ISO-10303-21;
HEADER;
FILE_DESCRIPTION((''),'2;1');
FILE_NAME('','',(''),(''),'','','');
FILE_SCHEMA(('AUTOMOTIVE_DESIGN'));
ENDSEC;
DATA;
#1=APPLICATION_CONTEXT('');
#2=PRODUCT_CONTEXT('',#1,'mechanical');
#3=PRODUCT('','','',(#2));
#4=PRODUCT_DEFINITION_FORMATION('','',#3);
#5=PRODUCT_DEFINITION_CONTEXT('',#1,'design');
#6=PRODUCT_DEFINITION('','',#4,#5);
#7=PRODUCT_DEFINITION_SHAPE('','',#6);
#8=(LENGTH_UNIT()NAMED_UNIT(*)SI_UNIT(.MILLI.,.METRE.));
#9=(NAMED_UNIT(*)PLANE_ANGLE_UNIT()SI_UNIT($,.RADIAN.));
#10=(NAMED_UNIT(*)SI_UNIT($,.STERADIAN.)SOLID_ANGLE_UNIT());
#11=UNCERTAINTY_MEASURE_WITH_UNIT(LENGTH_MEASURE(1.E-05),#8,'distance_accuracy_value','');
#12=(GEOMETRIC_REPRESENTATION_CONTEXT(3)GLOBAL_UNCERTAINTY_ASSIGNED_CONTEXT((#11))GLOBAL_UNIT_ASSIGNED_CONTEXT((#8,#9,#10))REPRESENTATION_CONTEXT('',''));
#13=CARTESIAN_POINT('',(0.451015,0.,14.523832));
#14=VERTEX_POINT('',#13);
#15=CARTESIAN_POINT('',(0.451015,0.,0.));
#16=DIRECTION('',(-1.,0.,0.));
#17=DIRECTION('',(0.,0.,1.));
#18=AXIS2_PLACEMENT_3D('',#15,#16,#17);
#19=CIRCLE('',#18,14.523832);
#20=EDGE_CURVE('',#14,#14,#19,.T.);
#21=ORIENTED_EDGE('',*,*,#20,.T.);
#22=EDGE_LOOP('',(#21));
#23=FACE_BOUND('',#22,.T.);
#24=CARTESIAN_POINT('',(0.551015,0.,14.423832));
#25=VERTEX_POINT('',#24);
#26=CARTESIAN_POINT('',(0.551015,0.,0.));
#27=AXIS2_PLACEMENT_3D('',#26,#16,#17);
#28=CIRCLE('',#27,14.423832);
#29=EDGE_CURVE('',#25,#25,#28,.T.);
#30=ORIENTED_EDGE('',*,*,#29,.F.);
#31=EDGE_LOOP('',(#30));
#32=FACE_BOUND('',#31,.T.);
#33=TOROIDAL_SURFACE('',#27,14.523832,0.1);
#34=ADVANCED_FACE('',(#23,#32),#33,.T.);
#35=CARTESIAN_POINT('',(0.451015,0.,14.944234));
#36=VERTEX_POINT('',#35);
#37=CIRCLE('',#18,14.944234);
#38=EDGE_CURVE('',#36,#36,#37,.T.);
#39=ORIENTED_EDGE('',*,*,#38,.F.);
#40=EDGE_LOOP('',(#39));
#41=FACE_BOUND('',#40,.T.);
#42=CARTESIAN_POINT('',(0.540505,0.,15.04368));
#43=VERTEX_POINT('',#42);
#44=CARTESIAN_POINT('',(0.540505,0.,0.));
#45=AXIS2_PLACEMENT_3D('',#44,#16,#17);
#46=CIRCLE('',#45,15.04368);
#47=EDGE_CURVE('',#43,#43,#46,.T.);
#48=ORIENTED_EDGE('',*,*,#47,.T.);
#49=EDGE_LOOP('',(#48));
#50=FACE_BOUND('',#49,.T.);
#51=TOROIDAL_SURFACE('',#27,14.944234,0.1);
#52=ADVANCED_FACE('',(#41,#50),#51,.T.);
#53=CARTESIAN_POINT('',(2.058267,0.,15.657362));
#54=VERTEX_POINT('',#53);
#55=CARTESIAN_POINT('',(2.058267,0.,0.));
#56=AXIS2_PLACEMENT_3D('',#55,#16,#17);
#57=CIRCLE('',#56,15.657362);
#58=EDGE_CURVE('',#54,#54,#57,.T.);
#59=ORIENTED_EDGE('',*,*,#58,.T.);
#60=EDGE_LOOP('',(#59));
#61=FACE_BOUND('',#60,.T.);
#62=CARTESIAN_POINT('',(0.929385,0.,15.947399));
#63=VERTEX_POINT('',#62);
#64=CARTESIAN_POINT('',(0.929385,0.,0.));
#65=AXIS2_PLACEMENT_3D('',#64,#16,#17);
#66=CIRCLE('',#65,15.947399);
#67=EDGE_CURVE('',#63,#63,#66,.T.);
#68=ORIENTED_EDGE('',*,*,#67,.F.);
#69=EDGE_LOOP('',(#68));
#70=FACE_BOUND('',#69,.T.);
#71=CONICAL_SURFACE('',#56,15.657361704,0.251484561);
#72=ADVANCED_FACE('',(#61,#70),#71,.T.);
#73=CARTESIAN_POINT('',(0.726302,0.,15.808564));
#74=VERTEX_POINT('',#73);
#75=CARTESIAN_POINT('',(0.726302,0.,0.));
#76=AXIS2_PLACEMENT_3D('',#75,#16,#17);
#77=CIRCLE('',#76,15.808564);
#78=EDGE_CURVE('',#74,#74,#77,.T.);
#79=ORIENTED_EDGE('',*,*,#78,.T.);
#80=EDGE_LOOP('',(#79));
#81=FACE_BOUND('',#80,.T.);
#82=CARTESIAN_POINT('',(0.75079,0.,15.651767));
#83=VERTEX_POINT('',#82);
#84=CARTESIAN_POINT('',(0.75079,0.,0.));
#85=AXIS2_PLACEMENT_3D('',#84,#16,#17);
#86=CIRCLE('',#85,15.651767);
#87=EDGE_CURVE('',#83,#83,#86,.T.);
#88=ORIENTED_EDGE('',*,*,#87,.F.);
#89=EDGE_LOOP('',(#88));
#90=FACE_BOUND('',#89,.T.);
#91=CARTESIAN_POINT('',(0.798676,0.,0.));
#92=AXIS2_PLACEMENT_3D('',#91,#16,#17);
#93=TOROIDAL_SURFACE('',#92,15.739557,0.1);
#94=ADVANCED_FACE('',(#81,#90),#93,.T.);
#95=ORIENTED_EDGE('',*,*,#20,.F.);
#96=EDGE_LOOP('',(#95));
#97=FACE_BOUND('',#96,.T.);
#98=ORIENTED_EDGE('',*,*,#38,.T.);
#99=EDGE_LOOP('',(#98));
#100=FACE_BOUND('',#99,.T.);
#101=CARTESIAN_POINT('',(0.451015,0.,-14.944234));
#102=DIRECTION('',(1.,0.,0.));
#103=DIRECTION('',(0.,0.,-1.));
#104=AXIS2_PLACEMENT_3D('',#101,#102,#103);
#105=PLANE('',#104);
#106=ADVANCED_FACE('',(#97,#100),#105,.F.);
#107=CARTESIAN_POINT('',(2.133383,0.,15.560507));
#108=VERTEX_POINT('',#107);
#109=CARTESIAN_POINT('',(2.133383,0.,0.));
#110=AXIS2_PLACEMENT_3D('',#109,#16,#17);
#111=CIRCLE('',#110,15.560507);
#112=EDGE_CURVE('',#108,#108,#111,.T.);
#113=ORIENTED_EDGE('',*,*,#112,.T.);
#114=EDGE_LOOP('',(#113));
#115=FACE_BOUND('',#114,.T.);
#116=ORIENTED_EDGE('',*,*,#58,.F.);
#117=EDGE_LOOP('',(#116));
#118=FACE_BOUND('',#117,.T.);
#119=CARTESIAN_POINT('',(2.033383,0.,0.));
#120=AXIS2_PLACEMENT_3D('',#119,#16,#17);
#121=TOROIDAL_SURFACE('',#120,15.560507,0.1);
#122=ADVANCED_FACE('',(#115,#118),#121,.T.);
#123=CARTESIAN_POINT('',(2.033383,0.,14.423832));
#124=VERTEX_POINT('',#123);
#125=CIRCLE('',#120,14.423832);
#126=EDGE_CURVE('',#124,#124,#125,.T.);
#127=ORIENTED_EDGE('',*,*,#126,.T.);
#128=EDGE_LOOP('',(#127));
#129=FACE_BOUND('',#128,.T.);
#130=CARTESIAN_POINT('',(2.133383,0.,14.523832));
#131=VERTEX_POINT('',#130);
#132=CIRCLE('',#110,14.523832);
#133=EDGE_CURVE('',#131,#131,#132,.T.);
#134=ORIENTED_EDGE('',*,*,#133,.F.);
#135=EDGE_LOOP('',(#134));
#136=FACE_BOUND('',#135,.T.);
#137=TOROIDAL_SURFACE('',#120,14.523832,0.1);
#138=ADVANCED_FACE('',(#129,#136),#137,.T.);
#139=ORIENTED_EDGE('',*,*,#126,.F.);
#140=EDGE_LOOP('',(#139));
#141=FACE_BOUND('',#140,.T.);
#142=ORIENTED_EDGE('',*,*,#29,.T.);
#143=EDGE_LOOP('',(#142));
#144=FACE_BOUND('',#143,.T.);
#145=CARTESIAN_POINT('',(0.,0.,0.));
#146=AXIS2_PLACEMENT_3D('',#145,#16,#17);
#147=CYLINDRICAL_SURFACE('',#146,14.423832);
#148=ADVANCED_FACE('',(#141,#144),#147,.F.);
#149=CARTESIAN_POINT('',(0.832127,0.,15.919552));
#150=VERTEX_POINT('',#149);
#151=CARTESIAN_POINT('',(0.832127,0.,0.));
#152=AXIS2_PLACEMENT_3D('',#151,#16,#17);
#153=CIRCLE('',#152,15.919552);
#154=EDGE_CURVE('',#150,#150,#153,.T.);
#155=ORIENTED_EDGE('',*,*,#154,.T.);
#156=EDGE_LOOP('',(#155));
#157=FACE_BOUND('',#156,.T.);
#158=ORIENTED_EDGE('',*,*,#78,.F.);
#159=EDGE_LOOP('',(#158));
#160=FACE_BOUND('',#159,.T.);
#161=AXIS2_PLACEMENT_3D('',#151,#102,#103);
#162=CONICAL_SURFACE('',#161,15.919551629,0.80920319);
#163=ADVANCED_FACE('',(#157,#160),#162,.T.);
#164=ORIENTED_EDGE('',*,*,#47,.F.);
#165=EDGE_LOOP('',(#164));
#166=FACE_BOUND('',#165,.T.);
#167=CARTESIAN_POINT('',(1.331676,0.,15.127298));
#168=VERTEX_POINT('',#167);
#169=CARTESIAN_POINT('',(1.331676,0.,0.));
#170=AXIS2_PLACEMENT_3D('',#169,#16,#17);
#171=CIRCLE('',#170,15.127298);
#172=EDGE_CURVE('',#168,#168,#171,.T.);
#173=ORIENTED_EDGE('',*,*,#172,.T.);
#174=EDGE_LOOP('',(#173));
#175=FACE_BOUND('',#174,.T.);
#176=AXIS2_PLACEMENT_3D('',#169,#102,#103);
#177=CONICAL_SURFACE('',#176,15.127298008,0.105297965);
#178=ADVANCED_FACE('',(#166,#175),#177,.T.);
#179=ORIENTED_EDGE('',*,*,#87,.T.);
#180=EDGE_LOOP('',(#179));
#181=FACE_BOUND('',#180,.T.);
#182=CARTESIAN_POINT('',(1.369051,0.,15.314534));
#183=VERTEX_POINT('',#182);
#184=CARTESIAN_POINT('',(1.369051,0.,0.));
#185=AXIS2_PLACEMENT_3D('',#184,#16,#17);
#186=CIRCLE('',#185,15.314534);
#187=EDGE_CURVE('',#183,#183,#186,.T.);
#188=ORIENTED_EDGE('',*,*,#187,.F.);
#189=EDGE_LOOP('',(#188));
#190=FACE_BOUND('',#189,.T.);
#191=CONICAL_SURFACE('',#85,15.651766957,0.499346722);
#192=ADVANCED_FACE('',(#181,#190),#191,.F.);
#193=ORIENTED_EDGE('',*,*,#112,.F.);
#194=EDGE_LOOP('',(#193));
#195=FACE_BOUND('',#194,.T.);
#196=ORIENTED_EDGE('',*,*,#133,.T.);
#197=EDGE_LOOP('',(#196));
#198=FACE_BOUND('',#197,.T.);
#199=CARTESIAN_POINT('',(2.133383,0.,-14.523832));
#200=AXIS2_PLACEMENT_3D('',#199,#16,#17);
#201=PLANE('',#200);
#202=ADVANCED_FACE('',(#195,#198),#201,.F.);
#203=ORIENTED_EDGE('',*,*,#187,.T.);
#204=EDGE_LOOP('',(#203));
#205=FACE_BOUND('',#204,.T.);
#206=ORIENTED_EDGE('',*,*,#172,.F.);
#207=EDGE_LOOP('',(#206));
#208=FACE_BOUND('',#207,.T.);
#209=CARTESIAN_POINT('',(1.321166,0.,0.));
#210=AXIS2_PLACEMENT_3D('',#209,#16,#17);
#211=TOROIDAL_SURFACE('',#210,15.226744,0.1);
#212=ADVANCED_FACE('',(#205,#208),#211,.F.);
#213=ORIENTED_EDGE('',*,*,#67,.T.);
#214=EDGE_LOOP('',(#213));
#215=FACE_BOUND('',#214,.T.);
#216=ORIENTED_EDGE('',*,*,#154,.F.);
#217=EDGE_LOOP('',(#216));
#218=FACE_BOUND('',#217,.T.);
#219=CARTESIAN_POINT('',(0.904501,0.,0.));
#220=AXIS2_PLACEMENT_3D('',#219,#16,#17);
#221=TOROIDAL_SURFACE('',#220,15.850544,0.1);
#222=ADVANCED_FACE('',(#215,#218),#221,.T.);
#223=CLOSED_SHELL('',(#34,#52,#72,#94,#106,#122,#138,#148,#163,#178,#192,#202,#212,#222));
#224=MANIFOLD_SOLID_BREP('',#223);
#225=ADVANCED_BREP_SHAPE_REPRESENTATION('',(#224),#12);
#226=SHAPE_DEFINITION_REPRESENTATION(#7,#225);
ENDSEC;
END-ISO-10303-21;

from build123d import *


with BuildPart() as part:
    # Croquis1 → Revolución1 (revolve)
    with BuildSketch(Plane(origin=(0, 0, 0), x_dir=(1, 0, 0), z_dir=(0, 1, 0)), mode=Mode.PRIVATE) as revoluci_n1_sk:
        with BuildLine():
            Line((0.55101533, 14.423831945), (2.033383193, 14.423831945))
            ThreePointArc((2.033383193, 14.423831945), (2.104093871, 14.453121267), (2.133383193, 14.523831945))
            Line((2.133383193, 14.523831945), (2.133383193, 15.560507297))
            ThreePointArc((2.133383193, 15.560507297), (2.11240351, 15.621791793), (2.058267403, 15.657361704))
            Line((2.058267403, 15.657361704), (0.929385167, 15.947398502))
            ThreePointArc((0.929385167, 15.947398502), (0.876975037, 15.9466811), (0.832127203, 15.919551629))
            Line((0.832127203, 15.919551629), (0.726301835, 15.808564047))
            ThreePointArc((0.726301835, 15.808564047), (0.699873329, 15.724125595), (0.750790376, 15.651766957))
            Line((0.750790376, 15.651766957), (1.369051357, 15.314533695))
            ThreePointArc((1.369051357, 15.314533695), (1.419231484, 15.207168922), (1.331676493, 15.127298008))
            Line((1.331676493, 15.127298008), (0.540504981, 15.043679986))
            ThreePointArc((0.540504981, 15.043679986), (0.476681505, 15.011125431), (0.45101533, 14.944233857))
            Line((0.45101533, 14.944233857), (0.45101533, 14.523831945))
            ThreePointArc((0.45101533, 14.523831945), (0.480304652, 14.453121267), (0.55101533, 14.423831945))
        make_face()
    revolve(revoluci_n1_sk.sketch.rotate(Axis((0, 0, 0), (1, 0, 0)), 180), axis=Axis((0, 0, 0), (1, 0, 0)))


solid = part.part
